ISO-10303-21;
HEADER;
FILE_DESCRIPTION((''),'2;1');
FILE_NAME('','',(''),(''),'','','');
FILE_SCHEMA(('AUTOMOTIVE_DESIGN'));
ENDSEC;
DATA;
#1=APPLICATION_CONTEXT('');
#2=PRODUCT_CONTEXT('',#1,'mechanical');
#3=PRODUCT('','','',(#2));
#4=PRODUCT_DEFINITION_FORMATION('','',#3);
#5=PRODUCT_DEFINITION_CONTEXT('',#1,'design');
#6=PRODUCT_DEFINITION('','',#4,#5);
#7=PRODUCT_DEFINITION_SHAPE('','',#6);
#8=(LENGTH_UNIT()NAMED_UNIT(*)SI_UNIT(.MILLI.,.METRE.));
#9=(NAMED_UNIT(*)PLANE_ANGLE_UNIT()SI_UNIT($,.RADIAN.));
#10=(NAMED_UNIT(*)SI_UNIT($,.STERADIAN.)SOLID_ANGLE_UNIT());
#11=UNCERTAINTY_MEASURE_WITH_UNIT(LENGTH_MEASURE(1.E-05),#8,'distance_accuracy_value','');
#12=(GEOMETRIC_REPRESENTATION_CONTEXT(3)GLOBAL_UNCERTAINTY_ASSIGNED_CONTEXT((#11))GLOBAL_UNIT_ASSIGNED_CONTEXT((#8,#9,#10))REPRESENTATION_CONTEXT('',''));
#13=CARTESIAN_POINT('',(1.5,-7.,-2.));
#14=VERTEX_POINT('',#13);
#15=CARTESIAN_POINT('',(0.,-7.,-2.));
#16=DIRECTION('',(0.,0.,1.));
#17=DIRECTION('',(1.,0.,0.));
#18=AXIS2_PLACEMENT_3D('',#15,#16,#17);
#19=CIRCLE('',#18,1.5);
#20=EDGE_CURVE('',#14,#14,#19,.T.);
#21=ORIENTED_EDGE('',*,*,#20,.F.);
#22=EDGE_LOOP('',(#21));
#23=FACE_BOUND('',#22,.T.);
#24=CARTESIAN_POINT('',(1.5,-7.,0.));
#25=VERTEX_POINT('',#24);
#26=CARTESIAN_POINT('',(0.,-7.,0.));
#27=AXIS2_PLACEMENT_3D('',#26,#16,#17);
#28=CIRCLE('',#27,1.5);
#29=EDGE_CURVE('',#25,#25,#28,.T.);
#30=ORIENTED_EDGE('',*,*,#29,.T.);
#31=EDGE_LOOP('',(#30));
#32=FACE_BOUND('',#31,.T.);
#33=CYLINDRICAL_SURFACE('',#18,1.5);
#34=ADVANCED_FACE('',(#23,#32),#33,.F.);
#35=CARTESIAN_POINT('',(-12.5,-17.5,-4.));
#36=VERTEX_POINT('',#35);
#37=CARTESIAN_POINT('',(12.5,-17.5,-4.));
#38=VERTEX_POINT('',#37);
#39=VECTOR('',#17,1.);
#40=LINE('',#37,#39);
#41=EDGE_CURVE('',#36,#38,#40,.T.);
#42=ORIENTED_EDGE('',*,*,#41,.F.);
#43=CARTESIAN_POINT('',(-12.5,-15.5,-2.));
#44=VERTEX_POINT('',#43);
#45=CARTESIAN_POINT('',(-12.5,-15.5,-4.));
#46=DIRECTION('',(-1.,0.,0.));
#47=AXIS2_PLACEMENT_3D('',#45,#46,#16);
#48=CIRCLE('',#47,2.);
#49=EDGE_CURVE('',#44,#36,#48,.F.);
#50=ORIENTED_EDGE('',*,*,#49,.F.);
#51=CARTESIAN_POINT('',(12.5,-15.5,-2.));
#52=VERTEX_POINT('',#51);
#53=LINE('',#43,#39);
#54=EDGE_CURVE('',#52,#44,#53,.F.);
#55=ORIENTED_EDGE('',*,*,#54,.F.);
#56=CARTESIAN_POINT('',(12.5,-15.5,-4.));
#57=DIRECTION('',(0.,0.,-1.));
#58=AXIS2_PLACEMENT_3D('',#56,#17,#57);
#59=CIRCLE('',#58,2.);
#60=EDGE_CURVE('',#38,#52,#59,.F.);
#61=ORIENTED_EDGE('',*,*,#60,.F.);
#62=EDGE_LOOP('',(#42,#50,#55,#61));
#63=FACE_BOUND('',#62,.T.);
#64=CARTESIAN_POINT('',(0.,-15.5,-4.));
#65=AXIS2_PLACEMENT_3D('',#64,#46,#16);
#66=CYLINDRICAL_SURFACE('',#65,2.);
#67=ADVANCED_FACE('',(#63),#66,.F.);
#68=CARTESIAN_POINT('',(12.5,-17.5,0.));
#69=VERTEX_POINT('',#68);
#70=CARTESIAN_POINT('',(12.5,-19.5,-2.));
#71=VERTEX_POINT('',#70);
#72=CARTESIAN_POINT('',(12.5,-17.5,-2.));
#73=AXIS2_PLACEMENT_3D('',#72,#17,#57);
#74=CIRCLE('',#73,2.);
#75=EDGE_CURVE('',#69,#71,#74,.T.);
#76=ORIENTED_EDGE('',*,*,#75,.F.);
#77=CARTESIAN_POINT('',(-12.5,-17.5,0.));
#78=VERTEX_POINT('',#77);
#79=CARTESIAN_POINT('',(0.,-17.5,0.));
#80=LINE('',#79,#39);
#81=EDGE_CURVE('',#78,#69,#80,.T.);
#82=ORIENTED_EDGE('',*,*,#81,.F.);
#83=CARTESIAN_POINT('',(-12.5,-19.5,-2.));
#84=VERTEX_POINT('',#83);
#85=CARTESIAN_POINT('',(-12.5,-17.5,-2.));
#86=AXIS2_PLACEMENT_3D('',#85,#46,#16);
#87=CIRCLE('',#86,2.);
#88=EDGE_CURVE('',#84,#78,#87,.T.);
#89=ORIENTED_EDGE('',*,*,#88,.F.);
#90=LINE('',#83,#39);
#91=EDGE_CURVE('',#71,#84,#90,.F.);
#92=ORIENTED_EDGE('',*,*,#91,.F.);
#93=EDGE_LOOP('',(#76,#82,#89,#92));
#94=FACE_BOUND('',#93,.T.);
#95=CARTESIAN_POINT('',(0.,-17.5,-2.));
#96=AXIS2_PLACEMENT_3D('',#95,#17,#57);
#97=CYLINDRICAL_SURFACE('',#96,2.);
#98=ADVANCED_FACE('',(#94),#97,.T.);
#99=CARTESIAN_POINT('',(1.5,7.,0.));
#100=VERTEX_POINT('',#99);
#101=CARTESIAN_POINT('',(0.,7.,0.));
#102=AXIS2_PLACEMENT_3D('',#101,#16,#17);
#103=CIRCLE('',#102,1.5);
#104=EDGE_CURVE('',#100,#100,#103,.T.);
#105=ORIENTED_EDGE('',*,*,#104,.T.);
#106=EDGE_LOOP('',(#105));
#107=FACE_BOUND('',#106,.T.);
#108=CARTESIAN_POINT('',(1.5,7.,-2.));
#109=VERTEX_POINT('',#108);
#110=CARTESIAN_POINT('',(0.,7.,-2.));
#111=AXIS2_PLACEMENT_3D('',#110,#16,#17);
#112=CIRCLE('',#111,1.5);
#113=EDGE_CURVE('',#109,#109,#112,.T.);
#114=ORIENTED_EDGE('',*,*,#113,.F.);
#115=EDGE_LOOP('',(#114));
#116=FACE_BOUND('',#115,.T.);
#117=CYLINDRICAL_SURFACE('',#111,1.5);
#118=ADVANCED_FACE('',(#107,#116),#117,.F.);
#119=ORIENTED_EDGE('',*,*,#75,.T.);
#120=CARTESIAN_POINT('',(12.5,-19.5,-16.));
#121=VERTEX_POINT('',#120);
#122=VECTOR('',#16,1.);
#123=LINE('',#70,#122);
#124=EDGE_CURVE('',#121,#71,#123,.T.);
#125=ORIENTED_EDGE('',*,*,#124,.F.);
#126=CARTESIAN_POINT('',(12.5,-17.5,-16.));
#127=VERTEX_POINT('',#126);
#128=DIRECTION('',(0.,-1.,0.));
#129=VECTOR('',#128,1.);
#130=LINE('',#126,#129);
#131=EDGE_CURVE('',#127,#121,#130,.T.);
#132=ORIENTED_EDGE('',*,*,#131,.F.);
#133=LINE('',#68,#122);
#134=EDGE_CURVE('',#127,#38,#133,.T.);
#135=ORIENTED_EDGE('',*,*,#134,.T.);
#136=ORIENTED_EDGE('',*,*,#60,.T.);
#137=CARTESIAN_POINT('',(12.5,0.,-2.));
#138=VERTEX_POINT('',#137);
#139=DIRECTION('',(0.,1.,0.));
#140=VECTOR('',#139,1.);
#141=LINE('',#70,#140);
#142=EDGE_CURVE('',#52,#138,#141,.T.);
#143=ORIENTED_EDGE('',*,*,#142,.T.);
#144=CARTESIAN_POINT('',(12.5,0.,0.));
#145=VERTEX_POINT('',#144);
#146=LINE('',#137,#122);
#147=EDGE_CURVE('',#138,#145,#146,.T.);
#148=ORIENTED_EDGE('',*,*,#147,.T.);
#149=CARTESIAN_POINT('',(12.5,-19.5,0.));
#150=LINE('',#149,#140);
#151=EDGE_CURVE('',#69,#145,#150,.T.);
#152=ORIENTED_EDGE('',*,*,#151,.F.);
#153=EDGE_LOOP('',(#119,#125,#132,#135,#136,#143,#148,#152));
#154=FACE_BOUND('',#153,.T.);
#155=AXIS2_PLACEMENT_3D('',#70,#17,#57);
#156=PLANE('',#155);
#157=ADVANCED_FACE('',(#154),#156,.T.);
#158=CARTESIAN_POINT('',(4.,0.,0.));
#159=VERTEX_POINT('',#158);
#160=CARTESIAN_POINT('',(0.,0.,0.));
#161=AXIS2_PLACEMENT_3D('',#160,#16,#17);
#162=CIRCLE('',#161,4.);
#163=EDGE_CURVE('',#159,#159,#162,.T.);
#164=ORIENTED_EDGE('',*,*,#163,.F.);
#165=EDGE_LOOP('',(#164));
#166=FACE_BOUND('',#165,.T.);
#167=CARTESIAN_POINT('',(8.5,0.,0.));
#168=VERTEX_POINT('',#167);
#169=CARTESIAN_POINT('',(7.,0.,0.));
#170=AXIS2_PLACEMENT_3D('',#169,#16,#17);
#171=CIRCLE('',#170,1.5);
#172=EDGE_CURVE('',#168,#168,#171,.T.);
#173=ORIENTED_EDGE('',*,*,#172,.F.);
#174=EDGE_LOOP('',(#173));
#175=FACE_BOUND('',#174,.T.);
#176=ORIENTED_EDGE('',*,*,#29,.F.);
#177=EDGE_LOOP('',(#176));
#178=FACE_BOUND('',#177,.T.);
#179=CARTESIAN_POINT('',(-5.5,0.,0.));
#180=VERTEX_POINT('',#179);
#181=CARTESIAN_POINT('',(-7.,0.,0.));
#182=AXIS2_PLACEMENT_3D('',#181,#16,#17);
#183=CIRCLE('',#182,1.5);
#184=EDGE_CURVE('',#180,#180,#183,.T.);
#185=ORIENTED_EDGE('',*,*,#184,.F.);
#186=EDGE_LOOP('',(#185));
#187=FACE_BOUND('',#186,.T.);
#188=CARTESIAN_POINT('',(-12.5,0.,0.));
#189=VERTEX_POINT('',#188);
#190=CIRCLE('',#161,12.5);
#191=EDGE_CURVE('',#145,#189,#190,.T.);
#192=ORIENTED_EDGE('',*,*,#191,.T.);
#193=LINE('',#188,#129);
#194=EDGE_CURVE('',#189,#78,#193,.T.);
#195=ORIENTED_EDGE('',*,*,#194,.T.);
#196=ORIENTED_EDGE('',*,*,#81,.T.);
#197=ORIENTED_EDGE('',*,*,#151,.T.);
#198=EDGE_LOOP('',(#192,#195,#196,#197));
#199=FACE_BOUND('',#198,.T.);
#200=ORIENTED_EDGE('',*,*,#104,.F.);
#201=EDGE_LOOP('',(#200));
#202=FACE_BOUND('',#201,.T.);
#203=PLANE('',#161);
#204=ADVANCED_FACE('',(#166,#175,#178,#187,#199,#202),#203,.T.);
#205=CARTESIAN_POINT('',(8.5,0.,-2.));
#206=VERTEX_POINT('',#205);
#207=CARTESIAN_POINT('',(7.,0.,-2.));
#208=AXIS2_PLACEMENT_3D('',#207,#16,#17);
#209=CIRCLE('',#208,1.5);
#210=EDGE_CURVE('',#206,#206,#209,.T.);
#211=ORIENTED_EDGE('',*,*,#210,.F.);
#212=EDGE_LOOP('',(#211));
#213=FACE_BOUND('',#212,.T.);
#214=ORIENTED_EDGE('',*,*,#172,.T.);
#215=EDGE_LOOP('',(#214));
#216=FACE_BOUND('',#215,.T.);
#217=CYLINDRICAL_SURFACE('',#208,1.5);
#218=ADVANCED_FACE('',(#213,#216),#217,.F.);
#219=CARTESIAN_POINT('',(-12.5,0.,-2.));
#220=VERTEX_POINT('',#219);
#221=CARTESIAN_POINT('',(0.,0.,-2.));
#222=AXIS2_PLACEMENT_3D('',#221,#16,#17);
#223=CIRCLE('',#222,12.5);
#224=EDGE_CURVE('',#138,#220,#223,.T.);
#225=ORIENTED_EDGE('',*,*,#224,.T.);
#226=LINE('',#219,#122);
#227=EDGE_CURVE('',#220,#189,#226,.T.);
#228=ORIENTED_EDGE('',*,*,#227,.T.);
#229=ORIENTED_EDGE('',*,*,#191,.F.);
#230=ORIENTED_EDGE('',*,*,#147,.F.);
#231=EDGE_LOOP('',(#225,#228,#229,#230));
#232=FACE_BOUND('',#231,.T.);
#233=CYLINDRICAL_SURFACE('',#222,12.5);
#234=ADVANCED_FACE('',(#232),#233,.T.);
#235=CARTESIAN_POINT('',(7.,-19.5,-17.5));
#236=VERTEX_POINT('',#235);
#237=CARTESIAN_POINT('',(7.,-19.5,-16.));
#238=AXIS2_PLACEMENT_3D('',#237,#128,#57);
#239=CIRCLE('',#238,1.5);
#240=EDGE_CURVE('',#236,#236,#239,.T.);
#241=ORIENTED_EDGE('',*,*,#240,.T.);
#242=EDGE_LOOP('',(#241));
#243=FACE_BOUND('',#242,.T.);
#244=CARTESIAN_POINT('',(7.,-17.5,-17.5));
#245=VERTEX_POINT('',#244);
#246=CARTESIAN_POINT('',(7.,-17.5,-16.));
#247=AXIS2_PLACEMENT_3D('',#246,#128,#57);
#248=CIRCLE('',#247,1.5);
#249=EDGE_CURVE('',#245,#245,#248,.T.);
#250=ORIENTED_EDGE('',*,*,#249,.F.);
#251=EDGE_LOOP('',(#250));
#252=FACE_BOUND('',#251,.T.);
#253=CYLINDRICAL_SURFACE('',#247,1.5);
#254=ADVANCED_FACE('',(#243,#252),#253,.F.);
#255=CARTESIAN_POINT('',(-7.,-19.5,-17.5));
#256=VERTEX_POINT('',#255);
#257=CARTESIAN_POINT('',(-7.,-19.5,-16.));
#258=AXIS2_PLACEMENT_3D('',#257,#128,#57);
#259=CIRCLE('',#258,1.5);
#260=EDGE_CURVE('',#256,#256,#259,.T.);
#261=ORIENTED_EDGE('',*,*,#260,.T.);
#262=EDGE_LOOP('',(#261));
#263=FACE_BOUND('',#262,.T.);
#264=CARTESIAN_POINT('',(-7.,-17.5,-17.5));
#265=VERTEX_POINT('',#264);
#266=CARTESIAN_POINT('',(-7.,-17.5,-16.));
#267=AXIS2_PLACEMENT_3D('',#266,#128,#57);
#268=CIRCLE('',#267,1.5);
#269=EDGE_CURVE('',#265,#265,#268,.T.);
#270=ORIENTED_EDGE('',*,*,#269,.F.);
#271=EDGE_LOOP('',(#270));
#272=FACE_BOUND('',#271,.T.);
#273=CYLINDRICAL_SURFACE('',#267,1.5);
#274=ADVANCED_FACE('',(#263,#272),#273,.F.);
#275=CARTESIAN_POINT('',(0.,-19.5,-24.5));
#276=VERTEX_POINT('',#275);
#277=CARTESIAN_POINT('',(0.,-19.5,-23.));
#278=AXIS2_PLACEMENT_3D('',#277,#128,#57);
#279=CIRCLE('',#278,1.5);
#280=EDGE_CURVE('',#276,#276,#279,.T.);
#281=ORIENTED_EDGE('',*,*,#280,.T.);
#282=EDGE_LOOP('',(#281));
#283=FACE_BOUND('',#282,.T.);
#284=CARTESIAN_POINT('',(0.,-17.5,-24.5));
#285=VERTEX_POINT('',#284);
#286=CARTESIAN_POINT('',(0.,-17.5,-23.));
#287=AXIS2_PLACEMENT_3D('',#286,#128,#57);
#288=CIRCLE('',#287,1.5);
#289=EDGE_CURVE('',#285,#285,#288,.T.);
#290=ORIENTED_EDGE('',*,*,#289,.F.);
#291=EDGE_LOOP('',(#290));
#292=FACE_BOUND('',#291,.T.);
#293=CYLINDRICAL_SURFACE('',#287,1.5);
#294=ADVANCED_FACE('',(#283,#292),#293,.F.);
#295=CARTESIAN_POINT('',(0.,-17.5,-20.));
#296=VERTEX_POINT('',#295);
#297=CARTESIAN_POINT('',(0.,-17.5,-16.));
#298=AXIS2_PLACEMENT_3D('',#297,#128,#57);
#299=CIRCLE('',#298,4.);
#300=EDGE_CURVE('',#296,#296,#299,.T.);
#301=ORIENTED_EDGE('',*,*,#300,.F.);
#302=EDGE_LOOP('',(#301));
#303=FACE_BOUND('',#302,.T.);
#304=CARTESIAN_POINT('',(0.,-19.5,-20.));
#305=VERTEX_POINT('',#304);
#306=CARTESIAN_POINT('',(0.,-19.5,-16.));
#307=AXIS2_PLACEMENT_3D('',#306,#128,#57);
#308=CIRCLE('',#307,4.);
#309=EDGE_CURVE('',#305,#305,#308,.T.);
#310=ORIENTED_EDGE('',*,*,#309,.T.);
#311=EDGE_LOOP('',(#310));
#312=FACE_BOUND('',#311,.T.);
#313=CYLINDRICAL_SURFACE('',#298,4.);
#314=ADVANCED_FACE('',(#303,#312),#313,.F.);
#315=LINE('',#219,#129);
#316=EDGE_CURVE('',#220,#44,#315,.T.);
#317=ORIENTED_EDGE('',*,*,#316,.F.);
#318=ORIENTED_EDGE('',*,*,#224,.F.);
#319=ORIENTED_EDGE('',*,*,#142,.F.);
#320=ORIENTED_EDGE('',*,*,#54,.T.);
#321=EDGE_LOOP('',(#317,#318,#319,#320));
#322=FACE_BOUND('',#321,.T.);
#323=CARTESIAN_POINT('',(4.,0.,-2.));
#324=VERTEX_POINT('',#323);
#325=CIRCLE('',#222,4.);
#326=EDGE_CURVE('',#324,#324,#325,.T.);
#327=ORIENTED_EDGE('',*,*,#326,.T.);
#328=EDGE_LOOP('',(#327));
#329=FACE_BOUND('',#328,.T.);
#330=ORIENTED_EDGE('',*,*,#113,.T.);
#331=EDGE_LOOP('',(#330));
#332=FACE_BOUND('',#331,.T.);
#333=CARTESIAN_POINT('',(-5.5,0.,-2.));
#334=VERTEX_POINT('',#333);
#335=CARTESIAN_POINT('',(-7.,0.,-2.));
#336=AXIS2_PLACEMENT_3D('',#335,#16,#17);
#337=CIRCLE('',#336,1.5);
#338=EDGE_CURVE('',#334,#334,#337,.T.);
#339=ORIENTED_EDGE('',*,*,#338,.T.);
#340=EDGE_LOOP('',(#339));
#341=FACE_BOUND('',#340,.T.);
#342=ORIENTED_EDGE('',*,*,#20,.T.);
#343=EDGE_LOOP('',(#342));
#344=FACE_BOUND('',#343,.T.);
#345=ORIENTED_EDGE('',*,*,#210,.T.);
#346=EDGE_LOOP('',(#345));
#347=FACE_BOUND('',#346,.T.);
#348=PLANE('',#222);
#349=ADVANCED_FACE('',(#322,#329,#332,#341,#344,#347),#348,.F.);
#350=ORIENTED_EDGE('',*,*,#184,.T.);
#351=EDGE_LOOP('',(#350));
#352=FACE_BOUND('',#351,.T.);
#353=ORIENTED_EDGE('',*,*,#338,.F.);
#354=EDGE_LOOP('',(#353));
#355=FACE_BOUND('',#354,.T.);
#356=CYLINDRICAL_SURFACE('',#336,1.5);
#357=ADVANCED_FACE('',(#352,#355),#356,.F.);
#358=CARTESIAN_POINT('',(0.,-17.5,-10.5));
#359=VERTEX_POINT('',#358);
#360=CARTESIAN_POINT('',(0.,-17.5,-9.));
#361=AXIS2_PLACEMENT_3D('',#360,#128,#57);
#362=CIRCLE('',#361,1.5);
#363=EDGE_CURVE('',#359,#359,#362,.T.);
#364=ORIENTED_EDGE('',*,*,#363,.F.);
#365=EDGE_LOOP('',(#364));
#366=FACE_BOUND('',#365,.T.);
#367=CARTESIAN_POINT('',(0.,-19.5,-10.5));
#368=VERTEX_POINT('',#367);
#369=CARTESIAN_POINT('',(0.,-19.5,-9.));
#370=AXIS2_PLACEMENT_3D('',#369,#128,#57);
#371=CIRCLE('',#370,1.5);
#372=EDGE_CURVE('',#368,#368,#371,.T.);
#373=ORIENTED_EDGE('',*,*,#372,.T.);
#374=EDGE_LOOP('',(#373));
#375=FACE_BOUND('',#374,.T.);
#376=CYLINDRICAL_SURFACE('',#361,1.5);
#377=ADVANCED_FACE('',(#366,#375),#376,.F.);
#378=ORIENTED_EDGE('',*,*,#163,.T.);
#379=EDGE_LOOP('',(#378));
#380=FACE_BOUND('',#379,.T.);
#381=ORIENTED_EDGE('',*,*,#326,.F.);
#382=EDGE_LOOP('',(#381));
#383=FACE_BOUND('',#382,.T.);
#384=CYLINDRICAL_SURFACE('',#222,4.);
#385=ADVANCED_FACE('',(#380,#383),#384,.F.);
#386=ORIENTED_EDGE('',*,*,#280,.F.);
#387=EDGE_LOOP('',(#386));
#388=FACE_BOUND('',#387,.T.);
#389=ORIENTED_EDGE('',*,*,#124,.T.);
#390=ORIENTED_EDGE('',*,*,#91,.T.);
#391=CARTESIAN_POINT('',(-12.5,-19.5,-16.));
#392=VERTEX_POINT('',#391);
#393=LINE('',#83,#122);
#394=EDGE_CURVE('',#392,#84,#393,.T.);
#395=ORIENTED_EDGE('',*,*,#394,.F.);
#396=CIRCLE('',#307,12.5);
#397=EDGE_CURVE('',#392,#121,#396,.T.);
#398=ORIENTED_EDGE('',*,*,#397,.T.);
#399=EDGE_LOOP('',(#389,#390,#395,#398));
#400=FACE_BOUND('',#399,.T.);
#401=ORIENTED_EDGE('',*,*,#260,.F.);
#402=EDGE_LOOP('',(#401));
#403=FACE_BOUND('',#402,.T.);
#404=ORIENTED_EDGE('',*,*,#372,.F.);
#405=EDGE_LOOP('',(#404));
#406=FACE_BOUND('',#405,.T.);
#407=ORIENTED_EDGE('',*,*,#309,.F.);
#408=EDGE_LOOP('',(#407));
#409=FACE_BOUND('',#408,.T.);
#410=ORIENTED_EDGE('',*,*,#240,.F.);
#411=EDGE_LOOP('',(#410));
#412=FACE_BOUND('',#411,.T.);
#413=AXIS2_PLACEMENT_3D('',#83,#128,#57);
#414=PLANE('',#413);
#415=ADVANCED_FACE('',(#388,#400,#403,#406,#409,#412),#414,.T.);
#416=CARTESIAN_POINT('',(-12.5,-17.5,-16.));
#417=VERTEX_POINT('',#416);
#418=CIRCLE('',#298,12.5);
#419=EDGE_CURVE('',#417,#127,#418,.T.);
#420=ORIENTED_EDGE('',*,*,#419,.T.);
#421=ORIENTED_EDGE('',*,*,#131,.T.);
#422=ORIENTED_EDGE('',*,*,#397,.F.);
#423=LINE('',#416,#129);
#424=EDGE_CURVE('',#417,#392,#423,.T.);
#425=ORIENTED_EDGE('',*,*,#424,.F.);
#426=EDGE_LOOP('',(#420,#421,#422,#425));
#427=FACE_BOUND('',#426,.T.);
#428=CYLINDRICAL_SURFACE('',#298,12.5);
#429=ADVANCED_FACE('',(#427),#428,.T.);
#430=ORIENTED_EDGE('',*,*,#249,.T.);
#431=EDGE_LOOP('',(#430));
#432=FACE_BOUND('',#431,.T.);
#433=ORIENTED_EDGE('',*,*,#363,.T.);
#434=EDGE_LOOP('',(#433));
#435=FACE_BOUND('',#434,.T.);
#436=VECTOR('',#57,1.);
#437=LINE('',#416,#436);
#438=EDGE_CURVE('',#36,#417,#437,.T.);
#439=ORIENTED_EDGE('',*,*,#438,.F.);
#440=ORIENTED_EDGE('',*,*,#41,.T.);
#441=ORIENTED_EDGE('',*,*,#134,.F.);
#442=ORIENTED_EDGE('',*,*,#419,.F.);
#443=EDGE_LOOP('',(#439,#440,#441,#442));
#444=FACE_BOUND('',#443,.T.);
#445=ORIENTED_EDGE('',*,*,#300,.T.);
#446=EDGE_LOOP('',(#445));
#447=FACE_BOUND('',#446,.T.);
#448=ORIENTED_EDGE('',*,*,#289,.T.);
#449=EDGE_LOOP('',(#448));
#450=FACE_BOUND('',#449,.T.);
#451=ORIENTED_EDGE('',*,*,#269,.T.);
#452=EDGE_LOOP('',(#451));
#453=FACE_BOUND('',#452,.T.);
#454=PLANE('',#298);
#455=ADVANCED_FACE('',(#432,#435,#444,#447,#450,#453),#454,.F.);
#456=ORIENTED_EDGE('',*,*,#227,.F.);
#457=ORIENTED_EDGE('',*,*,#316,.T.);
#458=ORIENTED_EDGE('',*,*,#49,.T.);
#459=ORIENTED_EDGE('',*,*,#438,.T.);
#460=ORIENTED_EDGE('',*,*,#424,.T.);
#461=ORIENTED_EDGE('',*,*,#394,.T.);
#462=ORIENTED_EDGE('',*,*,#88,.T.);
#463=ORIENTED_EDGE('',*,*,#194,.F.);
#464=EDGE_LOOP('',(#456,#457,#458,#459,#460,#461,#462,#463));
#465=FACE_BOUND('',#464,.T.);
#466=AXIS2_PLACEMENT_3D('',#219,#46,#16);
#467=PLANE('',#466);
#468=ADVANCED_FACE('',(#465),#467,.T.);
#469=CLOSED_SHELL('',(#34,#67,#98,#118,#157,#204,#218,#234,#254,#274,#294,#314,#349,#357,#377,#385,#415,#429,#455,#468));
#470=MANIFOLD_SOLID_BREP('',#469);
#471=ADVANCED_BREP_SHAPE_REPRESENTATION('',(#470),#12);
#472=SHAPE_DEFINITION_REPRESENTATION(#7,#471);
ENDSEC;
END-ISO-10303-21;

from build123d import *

# Parameters (mm, degrees)
SKETCH1_R           = 4
SKETCH1_R_2         = 1.5
BOSS_EXTRUDE1_DEPTH = 2
SKETCH2_R           = 4
SKETCH2_R_2         = 1.5
BOSS_EXTRUDE2_DEPTH = 2
FILLET1_R           = 2


with BuildPart() as part:
    # Sketch1 → Boss-Extrude1 (new body)
    with BuildSketch(Plane.XY):
        with BuildLine():
            Line((-12.5, 0), (-12.5, -19.5))
            Line((-12.5, -19.5), (12.5, -19.5))
            Line((12.5, -19.5), (12.5, 0))
            ThreePointArc((12.5, 0), (0, 12.5), (-12.5, 0))
        make_face()
        Circle(SKETCH1_R, mode=Mode.SUBTRACT)
        with Locations((0, 7)):
            Circle(SKETCH1_R_2, mode=Mode.SUBTRACT)
        with Locations((7, 0)):
            Circle(SKETCH1_R_2, mode=Mode.SUBTRACT)
        with Locations((0, -7)):
            Circle(SKETCH1_R_2, mode=Mode.SUBTRACT)
        with Locations((-7, 0)):
            Circle(SKETCH1_R_2, mode=Mode.SUBTRACT)
    extrude(amount=-BOSS_EXTRUDE1_DEPTH)

    # Sketch2 → Boss-Extrude2 (add)
    with BuildSketch(Plane.XZ.offset(19.5)):
        with BuildLine():
            Line((-12.5, -16), (-12.5, 0))
            Line((-12.5, 0), (12.5, 0))
            Line((12.5, 0), (12.5, -16))
            ThreePointArc((12.5, -16), (0, -28.5), (-12.5, -16))
        make_face()
        with Locations((0, -16)):
            Circle(SKETCH2_R, mode=Mode.SUBTRACT)
        with Locations((0, -9)):
            Circle(SKETCH2_R_2, mode=Mode.SUBTRACT)
        with Locations((7, -16)):
            Circle(SKETCH2_R_2, mode=Mode.SUBTRACT)
        with Locations((0, -23)):
            Circle(SKETCH2_R_2, mode=Mode.SUBTRACT)
        with Locations((-7, -16)):
            Circle(SKETCH2_R_2, mode=Mode.SUBTRACT)
    extrude(amount=-BOSS_EXTRUDE2_DEPTH)

    # Fillet1
    fillet1_edges = [part.edges().sort_by_distance(p)[0] for p in [
        (0, -17.5, -2),
        (0, -19.5, 0),
    ]]
    fillet(fillet1_edges, radius=FILLET1_R)


solid = part.part
